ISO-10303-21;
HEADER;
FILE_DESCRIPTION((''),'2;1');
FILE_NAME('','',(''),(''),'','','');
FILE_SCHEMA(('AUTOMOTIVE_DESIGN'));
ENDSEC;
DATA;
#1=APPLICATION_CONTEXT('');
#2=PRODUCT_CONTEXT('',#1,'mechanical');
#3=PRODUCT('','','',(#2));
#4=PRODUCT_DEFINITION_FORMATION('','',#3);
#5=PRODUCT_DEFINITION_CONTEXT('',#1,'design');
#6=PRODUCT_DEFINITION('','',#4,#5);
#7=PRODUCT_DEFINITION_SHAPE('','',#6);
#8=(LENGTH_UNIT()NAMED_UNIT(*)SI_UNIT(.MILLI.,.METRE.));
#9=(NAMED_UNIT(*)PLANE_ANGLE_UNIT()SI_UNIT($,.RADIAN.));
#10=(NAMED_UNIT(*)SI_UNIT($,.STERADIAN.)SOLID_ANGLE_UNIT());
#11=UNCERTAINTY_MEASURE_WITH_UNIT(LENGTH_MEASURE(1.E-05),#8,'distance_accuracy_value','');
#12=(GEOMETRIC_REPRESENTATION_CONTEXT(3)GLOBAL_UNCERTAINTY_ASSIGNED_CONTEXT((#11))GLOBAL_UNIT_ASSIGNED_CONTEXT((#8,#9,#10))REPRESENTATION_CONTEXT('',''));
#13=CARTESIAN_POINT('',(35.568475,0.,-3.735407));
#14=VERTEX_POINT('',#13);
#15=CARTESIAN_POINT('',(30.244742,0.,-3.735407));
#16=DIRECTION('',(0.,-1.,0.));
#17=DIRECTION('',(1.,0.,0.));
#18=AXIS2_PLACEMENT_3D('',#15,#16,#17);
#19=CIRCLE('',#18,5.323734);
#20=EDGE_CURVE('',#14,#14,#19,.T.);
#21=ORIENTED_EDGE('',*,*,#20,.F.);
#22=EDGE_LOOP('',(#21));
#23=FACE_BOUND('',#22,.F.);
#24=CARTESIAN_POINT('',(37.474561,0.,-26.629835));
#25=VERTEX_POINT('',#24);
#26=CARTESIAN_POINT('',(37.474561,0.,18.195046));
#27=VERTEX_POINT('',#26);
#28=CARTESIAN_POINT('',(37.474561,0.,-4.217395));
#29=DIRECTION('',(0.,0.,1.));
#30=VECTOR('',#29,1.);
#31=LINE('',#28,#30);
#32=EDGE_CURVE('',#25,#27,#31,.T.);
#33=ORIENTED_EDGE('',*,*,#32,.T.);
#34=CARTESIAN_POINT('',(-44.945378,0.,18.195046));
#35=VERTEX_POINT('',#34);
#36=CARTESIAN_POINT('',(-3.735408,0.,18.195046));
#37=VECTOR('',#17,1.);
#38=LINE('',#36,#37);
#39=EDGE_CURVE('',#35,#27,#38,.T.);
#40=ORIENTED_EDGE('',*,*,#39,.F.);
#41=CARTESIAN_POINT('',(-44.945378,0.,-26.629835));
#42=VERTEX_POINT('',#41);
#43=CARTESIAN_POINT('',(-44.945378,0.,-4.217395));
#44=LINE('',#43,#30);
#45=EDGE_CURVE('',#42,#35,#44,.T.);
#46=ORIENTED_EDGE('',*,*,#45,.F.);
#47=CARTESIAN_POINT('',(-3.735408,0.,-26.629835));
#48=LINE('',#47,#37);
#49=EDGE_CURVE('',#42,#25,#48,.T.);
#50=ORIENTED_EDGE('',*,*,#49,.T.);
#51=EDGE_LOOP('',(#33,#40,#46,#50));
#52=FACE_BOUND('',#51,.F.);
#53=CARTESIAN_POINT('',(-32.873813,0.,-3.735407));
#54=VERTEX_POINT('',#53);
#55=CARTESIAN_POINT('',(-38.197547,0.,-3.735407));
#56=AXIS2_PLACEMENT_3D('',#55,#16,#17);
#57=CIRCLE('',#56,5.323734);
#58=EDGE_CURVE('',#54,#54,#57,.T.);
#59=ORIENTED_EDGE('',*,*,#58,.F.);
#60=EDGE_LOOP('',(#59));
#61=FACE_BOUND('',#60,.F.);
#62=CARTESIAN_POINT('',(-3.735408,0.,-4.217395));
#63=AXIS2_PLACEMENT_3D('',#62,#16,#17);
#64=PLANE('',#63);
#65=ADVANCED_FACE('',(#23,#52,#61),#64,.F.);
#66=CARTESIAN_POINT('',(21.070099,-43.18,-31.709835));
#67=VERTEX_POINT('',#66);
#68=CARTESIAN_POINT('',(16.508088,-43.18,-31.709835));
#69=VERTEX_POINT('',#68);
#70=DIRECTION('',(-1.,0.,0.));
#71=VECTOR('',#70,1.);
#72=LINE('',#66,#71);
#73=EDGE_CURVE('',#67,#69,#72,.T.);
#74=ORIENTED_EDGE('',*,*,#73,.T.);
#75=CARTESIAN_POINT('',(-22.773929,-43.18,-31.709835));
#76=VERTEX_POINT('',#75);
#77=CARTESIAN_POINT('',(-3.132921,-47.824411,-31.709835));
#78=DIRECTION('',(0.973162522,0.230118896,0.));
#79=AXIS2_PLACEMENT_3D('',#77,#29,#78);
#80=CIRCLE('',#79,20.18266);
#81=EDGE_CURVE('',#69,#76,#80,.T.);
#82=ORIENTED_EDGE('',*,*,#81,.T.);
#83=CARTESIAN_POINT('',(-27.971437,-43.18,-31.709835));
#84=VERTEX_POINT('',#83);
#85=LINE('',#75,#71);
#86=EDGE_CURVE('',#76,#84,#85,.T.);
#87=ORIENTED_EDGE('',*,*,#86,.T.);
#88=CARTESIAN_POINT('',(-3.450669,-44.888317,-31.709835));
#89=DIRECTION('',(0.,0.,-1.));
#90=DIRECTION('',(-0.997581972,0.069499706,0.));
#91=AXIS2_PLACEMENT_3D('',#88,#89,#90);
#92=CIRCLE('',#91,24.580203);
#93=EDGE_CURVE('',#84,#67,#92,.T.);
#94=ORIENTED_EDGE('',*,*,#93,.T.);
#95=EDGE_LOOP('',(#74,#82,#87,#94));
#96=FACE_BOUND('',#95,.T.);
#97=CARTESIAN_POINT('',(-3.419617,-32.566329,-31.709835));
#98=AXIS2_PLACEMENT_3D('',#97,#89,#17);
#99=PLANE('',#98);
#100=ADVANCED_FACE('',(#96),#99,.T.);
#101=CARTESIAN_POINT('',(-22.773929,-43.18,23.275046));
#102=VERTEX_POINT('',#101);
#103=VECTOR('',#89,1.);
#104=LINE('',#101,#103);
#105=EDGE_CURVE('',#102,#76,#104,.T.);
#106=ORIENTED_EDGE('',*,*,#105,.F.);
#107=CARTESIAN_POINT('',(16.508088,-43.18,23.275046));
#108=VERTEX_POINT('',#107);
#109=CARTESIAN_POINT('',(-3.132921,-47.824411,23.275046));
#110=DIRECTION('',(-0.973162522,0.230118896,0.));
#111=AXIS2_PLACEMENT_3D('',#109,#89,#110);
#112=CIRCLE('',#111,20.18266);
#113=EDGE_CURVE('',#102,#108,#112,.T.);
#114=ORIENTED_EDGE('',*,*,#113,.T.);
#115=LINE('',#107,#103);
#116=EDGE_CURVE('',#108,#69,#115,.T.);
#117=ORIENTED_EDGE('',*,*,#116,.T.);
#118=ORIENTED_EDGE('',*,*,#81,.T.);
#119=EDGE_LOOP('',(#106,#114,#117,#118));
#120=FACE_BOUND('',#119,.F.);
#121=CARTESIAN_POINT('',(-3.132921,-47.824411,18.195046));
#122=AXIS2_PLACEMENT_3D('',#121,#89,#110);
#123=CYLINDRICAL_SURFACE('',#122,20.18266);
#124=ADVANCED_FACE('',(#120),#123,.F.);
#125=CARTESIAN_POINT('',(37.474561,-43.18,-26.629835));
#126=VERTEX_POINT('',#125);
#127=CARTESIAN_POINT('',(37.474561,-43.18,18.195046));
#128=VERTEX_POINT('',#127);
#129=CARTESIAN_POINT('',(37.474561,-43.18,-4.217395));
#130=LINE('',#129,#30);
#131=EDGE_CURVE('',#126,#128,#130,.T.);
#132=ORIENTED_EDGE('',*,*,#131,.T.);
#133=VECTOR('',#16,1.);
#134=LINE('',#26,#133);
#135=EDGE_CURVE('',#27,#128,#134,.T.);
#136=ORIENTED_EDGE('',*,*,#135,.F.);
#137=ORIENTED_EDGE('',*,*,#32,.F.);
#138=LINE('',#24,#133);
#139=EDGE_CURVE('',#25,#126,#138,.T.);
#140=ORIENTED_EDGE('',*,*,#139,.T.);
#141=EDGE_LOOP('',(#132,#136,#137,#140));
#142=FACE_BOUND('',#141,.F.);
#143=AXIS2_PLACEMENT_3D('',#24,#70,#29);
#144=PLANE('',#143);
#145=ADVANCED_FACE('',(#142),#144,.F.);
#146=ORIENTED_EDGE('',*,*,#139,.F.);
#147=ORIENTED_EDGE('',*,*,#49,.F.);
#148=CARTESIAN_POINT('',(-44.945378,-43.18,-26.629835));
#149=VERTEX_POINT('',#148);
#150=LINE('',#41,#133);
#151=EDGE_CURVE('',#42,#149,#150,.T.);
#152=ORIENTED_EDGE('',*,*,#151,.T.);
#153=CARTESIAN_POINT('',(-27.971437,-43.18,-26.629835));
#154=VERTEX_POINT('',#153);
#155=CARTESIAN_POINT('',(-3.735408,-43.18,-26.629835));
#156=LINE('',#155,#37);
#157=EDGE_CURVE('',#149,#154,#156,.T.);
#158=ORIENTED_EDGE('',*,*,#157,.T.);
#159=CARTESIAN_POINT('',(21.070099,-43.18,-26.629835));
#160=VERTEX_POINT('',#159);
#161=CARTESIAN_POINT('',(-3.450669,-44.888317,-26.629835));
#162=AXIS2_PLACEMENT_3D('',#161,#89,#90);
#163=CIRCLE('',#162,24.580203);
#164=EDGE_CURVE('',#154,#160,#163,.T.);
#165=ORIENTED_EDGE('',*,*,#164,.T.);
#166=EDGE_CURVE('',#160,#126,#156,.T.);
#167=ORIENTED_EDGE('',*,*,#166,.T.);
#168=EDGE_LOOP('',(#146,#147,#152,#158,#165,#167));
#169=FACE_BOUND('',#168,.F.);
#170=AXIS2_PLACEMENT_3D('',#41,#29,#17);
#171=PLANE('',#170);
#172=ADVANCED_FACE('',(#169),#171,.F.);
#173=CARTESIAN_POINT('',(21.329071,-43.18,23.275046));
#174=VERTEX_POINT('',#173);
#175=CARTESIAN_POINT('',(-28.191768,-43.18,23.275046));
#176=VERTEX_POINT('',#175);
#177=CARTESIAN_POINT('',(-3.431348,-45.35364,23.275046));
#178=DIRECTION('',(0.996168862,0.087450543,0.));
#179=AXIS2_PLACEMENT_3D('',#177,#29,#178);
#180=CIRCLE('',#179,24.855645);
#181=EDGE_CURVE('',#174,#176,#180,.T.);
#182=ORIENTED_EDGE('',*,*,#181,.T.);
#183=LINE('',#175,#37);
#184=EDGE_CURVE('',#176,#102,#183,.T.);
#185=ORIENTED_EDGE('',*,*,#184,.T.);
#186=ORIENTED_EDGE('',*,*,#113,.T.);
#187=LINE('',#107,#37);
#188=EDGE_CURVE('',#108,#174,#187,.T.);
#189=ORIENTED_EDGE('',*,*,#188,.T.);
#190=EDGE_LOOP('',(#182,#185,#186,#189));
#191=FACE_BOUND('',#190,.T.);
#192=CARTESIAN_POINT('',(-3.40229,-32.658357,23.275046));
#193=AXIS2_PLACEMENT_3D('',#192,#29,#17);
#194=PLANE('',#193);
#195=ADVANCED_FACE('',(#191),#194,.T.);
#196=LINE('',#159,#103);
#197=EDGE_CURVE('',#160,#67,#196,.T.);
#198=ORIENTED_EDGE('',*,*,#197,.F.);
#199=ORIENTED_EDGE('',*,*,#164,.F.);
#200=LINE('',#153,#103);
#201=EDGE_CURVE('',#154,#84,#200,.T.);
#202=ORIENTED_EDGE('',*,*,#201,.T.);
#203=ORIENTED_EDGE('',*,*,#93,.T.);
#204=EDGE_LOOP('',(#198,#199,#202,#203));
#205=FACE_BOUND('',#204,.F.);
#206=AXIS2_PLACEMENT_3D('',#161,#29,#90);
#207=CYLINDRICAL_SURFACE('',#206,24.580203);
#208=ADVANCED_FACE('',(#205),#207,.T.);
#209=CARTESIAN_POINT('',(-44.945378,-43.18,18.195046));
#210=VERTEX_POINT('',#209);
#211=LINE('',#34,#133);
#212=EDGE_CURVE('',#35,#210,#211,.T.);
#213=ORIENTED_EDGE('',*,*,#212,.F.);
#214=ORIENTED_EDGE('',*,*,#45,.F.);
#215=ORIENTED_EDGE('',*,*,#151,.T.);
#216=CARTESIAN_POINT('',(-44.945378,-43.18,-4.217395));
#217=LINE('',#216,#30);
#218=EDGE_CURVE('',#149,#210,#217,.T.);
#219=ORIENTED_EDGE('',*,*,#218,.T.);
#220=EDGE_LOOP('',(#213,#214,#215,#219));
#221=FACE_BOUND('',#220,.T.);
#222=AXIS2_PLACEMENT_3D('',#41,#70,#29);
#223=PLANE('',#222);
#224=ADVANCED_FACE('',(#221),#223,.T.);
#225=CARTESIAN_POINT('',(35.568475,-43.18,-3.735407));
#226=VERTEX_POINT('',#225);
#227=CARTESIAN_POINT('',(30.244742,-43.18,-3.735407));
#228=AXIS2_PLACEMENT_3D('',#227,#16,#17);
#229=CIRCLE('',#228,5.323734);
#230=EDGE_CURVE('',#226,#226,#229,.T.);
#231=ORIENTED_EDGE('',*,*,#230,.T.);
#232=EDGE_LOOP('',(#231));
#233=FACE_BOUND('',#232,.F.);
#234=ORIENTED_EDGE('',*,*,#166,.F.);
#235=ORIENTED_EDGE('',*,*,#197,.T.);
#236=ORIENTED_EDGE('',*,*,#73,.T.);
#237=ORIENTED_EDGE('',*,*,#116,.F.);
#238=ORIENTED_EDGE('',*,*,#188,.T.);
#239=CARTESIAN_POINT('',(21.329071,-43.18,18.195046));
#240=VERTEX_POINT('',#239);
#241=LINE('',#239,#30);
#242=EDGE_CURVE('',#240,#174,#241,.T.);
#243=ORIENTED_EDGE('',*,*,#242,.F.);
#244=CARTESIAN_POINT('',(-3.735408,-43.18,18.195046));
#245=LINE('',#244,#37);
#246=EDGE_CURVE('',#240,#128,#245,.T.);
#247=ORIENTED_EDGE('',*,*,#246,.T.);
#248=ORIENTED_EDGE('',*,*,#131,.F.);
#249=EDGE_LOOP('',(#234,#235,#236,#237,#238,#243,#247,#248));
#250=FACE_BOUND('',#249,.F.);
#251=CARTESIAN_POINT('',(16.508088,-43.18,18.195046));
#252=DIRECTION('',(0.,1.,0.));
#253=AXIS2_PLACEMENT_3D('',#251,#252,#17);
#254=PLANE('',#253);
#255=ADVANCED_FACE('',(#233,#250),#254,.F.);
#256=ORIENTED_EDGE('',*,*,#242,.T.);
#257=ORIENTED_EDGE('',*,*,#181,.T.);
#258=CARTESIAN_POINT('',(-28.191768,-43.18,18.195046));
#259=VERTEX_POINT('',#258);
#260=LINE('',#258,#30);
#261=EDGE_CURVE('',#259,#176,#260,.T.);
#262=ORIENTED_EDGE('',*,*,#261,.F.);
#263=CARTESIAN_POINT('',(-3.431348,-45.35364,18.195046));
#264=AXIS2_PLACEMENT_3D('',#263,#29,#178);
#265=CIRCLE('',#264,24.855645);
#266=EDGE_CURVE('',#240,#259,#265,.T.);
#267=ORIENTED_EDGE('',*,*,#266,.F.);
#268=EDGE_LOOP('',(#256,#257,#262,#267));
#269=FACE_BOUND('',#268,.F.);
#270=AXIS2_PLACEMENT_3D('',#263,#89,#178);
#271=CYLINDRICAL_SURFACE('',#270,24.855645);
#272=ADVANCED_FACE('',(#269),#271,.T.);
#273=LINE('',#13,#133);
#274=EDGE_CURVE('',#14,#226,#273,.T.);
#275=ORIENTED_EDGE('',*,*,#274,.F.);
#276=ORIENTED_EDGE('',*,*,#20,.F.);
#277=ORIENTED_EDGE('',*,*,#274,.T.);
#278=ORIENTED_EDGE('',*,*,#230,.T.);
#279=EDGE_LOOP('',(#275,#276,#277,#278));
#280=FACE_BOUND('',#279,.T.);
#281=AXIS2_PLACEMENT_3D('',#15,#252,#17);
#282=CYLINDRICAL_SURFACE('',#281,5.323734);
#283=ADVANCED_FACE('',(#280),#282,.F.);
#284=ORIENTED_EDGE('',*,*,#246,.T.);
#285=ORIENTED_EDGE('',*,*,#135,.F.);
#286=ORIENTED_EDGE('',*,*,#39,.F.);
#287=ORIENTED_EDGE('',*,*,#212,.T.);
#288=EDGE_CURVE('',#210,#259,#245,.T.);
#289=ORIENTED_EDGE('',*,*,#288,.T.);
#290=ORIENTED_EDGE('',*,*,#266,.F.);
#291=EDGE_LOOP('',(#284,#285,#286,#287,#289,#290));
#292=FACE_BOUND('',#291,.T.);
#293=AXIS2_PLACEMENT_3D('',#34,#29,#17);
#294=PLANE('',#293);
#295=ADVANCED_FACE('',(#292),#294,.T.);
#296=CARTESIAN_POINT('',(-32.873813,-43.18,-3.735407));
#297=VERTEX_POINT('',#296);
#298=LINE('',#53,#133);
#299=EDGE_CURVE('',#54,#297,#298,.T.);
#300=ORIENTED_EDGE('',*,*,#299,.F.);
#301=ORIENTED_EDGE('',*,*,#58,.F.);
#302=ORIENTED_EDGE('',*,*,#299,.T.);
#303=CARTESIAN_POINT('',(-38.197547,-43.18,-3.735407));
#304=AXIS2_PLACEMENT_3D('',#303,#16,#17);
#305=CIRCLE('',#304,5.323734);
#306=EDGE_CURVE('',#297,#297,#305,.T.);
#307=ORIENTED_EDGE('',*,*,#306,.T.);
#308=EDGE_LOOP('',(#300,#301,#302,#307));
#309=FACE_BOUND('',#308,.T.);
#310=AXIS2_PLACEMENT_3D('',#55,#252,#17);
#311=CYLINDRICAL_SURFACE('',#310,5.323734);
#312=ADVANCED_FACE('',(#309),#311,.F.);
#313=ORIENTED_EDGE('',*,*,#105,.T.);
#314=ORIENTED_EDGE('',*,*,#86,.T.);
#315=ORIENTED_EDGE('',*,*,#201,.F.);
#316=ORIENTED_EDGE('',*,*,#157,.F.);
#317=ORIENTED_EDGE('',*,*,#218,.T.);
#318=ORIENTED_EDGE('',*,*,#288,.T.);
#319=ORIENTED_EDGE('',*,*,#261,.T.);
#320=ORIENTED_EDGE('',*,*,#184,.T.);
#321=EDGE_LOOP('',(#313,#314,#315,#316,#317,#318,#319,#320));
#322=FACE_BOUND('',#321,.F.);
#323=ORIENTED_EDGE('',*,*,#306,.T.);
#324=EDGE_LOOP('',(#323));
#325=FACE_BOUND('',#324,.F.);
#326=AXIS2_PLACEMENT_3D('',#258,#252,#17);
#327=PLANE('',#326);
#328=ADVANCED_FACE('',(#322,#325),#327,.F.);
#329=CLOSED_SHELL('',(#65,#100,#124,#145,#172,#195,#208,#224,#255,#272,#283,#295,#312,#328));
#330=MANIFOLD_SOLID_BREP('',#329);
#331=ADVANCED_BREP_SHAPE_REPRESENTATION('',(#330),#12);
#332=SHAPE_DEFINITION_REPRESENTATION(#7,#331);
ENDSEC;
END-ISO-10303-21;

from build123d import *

# Parameters (mm, degrees)
F0_W     = 82.4199393392
F0_H     = 44.8248814791
F0_R     = 5.3237338681
F1_DEPTH = 43.18
F3_DEPTH = 50.8
F5_DEPTH = 5.08
F7_DEPTH = 5.08


with BuildPart() as f1:
    # F0 (on Front) → F1 (new body)
    with BuildSketch(Plane.XZ):
        with Locations((-3.7354081869, -4.2173946276)):
            Rectangle(F0_W, F0_H)
        with Locations((-38.1975471973, -3.7354065571)):
            Circle(F0_R, mode=Mode.SUBTRACT)
        with Locations((30.2447415888, -3.7354065571)):
            Circle(F0_R, mode=Mode.SUBTRACT)
    extrude(amount=F1_DEPTH)

    # F2 (on face) → F3 (cut)
    with BuildSketch(Plane(origin=(0, 0, -26.6298353672), x_dir=(1, 0, 0), z_dir=(0, 0, -1))):
        with BuildLine():
            Line((16.5080875158, 43.18), (-22.7739289403, 43.18))
            ThreePointArc((-22.7739289403, 43.18), (-3.1329207122, 27.6417514992), (16.5080875158, 43.18))
        make_face()
    extrude(amount=-F3_DEPTH, mode=Mode.SUBTRACT)

    # F4 (on face) → F5 (join)
    with BuildSketch(Plane(origin=(0, 0, -26.6298353672), x_dir=(1, 0, 0), z_dir=(0, 0, -1))):
        with BuildLine():
            Line((-22.7739289403, 43.18), (-27.9714372009, 43.18))
            ThreePointArc((-27.9714372009, 43.18), (-3.4506693482, 20.3081134408), (21.0700985044, 43.18))
            Line((21.0700985044, 43.18), (16.5080875158, 43.18))
            ThreePointArc((16.5080875158, 43.18), (-3.1329207122, 27.6417514992), (-22.7739289403, 43.18))
        make_face()
    extrude(amount=F5_DEPTH)

    # F6 (on face) → F7 (join)
    with BuildSketch(Plane.XY.offset(18.1950461119)):
        with BuildLine():
            Line((16.5080875158, -43.18), (21.3290713727, -43.18))
            ThreePointArc((21.3290713727, -43.18), (-3.4313481301, -20.4979947498), (-28.191767633, -43.18))
            Line((-28.191767633, -43.18), (-22.7739289403, -43.18))
            ThreePointArc((-22.7739289403, -43.18), (-3.1329207122, -27.6417514992), (16.5080875158, -43.18))
        make_face()
    extrude(amount=F7_DEPTH)


solid = f1.part
